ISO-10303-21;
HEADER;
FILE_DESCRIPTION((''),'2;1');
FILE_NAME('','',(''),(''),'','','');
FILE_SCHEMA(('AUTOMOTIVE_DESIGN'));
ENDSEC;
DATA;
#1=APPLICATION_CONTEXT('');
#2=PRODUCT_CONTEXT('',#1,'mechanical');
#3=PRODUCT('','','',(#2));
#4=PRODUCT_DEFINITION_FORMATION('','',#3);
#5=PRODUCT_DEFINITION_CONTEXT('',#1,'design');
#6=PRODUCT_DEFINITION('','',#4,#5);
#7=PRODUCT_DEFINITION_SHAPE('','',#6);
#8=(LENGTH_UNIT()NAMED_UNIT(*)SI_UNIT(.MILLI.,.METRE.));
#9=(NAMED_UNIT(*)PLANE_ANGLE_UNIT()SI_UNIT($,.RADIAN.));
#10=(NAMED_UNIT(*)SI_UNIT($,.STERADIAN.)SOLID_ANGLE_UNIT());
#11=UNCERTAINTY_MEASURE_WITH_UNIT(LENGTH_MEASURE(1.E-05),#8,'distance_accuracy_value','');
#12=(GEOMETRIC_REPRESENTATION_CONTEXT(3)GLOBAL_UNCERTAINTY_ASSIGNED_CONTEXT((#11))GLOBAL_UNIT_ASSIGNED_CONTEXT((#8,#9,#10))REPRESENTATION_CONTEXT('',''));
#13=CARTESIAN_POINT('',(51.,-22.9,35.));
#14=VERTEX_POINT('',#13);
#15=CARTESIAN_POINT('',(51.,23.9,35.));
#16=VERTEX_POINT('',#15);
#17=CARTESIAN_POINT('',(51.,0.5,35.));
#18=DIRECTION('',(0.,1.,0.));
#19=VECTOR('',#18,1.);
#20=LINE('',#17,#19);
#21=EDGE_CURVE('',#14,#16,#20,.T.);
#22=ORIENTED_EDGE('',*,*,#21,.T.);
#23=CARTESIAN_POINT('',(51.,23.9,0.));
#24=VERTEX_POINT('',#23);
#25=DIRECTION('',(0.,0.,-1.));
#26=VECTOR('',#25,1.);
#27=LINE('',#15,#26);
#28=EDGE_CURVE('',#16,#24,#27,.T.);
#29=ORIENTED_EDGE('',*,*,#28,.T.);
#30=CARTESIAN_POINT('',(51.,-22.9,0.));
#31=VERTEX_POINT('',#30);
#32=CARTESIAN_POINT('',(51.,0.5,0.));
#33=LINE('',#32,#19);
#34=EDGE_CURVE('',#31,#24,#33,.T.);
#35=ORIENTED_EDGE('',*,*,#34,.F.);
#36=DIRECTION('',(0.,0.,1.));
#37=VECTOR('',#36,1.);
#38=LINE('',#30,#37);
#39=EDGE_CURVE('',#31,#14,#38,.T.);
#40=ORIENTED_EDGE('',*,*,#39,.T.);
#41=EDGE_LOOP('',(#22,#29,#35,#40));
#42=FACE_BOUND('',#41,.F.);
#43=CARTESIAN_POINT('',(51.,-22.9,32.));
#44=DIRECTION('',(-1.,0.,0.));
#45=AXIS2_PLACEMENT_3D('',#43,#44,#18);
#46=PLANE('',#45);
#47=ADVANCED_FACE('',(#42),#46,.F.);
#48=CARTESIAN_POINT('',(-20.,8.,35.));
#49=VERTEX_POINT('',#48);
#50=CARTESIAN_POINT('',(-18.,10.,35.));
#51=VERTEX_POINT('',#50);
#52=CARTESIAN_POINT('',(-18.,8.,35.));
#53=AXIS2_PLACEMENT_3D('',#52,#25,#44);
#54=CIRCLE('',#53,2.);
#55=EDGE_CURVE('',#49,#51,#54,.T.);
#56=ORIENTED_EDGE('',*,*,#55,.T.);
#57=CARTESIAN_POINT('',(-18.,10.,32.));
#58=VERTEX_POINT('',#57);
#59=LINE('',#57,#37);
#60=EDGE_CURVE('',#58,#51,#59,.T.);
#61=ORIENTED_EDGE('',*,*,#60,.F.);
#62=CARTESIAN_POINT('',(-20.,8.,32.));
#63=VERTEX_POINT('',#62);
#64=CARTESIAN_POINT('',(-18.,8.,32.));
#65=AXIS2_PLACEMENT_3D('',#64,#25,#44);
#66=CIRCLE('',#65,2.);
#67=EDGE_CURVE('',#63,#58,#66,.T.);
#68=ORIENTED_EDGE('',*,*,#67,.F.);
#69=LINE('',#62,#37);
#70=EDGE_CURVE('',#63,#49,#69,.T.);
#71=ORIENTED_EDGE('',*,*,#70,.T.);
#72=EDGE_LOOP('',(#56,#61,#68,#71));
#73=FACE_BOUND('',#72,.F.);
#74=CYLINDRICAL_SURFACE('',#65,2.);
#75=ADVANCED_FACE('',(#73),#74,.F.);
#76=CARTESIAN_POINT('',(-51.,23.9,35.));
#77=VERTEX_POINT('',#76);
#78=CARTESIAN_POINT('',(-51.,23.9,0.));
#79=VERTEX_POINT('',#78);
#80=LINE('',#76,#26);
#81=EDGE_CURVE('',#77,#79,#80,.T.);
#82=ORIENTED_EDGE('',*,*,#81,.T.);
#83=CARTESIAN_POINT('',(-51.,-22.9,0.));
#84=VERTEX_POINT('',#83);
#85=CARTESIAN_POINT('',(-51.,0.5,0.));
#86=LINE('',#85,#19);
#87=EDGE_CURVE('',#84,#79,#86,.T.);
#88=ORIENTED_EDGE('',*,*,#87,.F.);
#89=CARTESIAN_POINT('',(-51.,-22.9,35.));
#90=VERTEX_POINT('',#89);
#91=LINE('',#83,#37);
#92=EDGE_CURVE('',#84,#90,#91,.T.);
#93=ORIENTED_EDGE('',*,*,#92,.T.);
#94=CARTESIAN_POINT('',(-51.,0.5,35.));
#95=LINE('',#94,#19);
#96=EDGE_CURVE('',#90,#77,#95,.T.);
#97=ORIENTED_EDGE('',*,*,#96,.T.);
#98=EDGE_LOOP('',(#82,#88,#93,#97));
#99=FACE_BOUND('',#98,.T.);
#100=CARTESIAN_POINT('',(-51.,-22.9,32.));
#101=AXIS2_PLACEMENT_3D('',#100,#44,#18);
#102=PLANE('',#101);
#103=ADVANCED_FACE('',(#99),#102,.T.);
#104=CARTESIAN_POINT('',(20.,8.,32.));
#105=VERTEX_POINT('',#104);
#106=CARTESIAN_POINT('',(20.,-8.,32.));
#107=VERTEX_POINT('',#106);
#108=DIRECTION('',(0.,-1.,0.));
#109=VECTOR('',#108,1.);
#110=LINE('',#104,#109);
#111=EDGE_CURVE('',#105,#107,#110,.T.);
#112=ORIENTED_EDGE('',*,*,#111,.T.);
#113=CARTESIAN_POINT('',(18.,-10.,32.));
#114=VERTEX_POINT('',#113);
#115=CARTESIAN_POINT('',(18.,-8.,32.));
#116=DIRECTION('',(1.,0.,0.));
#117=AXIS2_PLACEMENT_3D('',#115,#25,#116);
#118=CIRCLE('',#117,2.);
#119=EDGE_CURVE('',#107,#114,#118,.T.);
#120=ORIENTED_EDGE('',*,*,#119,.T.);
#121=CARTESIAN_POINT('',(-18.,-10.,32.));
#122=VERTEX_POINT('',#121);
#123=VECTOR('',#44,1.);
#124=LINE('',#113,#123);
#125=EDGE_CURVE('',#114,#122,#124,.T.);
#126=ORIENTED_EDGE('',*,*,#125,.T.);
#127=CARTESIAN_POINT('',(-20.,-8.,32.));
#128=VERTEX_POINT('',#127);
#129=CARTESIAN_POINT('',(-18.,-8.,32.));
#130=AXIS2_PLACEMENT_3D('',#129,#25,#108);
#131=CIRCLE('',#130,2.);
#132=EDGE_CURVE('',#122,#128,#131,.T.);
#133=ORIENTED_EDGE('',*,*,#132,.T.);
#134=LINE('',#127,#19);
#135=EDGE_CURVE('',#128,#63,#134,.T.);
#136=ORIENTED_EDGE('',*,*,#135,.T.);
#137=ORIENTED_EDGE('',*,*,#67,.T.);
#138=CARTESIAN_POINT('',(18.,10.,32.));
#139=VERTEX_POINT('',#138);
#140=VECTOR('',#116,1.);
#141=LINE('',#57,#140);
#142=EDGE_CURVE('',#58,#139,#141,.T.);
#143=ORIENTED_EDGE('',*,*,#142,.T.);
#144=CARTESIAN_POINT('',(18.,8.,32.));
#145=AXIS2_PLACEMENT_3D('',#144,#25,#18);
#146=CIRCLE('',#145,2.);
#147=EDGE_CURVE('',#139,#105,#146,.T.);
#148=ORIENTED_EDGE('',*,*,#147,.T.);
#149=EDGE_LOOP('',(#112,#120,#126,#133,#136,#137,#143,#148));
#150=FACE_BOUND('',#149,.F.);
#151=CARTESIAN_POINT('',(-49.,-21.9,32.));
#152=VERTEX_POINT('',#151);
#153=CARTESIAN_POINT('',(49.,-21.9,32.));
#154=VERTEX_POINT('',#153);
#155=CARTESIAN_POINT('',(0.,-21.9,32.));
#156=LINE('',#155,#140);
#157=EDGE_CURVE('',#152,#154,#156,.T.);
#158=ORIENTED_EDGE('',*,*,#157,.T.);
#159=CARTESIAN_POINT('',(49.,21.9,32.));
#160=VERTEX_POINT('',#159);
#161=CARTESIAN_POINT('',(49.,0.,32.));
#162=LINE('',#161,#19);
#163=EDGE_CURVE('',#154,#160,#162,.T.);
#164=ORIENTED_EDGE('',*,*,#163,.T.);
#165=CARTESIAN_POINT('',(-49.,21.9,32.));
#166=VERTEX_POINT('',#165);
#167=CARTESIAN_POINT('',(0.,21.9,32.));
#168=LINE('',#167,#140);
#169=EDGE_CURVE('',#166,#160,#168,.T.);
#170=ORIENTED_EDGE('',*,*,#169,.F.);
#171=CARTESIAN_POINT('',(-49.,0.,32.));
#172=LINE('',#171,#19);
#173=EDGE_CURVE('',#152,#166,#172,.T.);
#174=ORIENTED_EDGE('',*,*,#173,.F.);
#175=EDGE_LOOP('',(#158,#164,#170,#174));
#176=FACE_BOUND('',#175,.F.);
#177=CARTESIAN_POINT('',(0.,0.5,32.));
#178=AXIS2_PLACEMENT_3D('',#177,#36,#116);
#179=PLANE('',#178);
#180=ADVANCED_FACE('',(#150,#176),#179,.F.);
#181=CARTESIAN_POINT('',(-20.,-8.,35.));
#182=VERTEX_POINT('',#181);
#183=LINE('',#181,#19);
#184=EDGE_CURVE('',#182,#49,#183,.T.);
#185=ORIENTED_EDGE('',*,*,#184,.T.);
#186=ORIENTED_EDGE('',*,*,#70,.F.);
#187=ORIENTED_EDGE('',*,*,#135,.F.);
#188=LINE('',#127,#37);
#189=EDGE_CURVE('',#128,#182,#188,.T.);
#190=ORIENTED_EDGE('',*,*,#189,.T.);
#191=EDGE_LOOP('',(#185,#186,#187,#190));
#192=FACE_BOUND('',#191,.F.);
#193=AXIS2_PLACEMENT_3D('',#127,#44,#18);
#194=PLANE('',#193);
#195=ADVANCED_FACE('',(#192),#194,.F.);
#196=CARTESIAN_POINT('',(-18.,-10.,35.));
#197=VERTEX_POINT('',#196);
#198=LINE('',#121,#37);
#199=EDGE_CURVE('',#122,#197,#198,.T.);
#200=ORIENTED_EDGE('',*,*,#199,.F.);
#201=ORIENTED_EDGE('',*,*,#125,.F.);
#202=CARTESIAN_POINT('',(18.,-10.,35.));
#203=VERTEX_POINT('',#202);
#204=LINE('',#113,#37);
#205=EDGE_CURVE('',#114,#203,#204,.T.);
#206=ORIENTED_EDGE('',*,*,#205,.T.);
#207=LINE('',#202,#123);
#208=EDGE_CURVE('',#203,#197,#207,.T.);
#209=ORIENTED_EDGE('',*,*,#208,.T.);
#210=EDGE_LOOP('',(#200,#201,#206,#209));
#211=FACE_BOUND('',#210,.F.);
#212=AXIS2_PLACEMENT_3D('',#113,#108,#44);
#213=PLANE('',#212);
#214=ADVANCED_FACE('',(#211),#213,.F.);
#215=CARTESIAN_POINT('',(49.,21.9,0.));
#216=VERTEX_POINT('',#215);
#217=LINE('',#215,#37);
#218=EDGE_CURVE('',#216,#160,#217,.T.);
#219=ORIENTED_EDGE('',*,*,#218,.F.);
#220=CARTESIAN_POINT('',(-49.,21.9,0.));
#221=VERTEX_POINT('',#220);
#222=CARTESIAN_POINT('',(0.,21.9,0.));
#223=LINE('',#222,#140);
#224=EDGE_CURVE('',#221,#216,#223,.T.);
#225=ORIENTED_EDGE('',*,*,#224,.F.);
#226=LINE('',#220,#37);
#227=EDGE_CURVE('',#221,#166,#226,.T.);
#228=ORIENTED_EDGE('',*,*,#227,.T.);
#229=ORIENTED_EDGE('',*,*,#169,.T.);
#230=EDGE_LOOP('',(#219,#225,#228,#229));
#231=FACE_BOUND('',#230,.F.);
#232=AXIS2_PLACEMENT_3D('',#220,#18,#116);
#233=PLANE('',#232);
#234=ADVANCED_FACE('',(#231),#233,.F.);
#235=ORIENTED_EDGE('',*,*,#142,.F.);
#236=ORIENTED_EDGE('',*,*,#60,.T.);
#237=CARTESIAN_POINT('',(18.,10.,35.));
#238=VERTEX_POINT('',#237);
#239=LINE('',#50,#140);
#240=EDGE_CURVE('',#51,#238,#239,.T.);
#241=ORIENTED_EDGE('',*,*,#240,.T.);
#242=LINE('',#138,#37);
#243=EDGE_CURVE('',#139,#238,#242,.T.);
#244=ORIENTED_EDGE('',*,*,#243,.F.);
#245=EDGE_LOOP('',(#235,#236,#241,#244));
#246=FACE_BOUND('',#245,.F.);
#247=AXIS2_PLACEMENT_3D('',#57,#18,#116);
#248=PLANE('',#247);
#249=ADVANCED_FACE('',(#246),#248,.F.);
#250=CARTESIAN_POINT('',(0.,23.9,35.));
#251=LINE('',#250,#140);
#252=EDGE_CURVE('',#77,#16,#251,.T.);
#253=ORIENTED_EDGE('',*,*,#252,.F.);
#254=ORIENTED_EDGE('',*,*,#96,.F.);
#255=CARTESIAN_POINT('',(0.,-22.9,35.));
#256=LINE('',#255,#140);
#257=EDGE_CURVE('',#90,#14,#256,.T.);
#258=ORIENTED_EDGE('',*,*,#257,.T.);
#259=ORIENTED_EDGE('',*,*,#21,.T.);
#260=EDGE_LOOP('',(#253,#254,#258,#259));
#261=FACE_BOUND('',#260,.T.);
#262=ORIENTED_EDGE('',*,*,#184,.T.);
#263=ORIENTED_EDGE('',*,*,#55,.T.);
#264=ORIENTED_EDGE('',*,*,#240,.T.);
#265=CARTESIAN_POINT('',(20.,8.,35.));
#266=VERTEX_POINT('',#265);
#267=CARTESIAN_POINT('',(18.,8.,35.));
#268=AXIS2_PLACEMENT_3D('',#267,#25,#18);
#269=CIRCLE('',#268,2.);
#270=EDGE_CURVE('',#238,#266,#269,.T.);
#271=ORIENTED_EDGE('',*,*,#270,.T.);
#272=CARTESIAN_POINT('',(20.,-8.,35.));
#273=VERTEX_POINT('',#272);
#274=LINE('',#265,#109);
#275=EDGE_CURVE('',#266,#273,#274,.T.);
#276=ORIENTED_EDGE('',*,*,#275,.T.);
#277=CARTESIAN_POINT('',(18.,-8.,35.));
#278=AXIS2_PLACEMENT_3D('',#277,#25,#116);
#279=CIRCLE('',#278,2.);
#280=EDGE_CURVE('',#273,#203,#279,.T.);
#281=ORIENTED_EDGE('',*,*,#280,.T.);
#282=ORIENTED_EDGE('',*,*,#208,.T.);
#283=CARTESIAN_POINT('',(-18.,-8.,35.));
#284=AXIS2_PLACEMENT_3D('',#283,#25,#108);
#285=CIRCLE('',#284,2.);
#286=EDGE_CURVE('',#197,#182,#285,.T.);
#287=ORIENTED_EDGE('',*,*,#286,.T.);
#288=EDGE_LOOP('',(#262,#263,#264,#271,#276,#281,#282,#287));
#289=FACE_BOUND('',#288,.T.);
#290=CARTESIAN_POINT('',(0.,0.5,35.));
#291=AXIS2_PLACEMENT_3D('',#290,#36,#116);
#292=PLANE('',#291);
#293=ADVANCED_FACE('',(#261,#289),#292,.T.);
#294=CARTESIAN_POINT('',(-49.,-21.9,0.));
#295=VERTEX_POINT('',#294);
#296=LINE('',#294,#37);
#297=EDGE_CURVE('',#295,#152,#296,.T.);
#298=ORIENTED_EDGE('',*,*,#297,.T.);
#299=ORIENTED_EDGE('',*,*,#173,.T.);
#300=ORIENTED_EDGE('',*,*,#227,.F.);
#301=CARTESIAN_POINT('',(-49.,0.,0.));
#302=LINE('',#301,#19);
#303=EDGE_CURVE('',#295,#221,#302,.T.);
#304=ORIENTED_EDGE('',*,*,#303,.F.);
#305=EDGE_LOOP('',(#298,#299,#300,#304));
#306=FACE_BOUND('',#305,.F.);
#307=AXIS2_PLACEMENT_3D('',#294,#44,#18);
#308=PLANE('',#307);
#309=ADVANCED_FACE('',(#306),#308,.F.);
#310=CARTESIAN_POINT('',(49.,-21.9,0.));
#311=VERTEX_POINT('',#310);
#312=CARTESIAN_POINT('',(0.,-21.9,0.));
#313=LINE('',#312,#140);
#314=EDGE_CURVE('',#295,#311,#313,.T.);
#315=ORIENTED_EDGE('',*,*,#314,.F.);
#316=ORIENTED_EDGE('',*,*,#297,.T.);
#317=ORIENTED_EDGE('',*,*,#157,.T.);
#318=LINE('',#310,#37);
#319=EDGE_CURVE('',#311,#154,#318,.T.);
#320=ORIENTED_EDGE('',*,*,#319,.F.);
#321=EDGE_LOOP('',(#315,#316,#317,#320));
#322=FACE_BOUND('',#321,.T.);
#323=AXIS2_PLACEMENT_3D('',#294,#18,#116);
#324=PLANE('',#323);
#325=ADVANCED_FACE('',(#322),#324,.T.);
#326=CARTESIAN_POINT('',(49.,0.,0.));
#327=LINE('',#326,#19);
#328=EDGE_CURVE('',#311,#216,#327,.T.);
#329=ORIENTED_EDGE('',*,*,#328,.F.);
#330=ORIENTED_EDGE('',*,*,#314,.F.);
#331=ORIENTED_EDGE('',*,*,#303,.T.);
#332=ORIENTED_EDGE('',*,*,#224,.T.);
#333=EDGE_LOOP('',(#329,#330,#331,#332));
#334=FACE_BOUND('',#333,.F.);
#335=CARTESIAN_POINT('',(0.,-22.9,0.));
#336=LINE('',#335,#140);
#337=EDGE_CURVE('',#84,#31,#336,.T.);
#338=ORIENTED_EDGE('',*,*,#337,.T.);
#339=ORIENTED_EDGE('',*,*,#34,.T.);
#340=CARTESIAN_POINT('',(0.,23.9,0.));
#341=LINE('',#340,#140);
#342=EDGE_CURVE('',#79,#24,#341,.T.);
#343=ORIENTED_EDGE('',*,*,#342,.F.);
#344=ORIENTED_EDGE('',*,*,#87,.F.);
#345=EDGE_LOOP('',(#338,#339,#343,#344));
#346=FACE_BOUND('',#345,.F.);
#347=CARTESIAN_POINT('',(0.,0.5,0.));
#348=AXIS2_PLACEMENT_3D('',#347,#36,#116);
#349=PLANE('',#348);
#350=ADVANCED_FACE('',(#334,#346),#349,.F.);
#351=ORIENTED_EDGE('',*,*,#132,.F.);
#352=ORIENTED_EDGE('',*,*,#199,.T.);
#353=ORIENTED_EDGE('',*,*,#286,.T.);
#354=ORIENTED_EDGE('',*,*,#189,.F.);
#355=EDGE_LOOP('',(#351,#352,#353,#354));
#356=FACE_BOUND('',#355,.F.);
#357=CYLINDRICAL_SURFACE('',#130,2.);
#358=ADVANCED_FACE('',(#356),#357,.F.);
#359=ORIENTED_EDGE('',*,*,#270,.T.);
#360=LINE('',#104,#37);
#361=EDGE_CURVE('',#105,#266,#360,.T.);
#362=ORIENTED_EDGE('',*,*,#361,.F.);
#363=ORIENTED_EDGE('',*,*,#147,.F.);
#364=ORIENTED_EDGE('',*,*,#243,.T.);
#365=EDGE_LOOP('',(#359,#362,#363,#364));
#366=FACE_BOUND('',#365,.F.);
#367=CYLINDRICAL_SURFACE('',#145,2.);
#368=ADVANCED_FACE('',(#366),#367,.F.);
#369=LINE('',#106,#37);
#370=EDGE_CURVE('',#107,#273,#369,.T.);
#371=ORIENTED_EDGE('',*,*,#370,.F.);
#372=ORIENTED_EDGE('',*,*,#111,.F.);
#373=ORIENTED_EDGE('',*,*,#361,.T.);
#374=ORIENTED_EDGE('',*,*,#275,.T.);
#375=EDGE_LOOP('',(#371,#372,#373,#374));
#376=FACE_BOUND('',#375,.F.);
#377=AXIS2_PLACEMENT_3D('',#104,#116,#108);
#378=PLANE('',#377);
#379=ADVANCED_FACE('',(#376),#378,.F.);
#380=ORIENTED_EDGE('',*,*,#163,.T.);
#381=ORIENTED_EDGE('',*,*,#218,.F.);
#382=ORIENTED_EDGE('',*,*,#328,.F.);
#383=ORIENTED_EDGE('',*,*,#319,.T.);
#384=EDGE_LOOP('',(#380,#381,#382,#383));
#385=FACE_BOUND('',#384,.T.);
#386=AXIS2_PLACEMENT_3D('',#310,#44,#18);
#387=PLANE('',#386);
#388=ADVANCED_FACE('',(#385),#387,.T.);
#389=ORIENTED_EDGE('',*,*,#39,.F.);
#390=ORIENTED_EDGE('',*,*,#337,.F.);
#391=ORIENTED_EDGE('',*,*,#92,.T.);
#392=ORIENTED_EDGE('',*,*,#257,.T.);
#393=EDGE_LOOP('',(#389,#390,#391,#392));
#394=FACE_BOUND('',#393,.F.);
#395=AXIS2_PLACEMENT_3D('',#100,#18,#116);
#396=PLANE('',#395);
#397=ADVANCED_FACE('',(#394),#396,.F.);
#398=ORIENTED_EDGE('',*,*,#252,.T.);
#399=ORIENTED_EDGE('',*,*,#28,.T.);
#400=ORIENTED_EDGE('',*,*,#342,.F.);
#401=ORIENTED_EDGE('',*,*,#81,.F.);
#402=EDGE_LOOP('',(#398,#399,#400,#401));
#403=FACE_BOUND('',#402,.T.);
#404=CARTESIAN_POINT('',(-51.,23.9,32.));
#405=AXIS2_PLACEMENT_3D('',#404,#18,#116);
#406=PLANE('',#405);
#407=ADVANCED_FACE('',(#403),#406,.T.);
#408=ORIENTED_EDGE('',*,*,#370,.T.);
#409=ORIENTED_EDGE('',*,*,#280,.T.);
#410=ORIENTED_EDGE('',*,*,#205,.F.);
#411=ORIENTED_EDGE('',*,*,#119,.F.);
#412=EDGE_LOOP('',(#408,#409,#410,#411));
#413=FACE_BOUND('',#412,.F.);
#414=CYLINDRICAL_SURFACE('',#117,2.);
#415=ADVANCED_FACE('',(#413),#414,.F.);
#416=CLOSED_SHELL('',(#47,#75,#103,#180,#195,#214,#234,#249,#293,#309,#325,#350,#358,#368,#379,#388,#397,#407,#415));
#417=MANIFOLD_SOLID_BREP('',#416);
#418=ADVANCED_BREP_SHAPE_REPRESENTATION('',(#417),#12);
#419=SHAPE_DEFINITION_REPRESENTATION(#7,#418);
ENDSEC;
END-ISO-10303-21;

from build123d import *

# Parameters (mm, degrees)
F0_W     = 102
F0_H     = 46.8
F0_W_2   = 98
F0_H_2   = 43.8
F1_DEPTH = 32
F2_W     = 102
F2_H     = 46.8
F2_W_2   = 98
F2_H_2   = 43.8
F3_DEPTH = 3


with BuildPart() as f1:
    # F0 (on Top) → F1 (new body)
    with BuildSketch(Plane.XY):
        with Locations((0, 0.5)):
            Rectangle(F0_W, F0_H)
        Rectangle(F0_W_2, F0_H_2, mode=Mode.SUBTRACT)
    extrude(amount=F1_DEPTH)

    # F2 (on face) → F3 (join)
    with BuildSketch(Plane.XY.offset(32)):
        with Locations((0, 0.5)):
            Rectangle(F2_W, F2_H)
        Rectangle(F2_W_2, F2_H_2, mode=Mode.SUBTRACT)
        Rectangle(F2_W_2, F2_H_2)
        with BuildLine():
            Line((-18, 10), (18, 10))
            ThreePointArc((18, 10), (19.4142135624, 9.4142135624), (20, 8))
            Line((20, 8), (20, -8))
            ThreePointArc((20, -8), (19.4142135624, -9.4142135624), (18, -10))
            Line((18, -10), (-18, -10))
            ThreePointArc((-18, -10), (-19.4142135624, -9.4142135624), (-20, -8))
            Line((-20, -8), (-20, 8))
            ThreePointArc((-20, 8), (-19.4142135624, 9.4142135624), (-18, 10))
        make_face(mode=Mode.SUBTRACT)
    extrude(amount=F3_DEPTH)


solid = f1.part
